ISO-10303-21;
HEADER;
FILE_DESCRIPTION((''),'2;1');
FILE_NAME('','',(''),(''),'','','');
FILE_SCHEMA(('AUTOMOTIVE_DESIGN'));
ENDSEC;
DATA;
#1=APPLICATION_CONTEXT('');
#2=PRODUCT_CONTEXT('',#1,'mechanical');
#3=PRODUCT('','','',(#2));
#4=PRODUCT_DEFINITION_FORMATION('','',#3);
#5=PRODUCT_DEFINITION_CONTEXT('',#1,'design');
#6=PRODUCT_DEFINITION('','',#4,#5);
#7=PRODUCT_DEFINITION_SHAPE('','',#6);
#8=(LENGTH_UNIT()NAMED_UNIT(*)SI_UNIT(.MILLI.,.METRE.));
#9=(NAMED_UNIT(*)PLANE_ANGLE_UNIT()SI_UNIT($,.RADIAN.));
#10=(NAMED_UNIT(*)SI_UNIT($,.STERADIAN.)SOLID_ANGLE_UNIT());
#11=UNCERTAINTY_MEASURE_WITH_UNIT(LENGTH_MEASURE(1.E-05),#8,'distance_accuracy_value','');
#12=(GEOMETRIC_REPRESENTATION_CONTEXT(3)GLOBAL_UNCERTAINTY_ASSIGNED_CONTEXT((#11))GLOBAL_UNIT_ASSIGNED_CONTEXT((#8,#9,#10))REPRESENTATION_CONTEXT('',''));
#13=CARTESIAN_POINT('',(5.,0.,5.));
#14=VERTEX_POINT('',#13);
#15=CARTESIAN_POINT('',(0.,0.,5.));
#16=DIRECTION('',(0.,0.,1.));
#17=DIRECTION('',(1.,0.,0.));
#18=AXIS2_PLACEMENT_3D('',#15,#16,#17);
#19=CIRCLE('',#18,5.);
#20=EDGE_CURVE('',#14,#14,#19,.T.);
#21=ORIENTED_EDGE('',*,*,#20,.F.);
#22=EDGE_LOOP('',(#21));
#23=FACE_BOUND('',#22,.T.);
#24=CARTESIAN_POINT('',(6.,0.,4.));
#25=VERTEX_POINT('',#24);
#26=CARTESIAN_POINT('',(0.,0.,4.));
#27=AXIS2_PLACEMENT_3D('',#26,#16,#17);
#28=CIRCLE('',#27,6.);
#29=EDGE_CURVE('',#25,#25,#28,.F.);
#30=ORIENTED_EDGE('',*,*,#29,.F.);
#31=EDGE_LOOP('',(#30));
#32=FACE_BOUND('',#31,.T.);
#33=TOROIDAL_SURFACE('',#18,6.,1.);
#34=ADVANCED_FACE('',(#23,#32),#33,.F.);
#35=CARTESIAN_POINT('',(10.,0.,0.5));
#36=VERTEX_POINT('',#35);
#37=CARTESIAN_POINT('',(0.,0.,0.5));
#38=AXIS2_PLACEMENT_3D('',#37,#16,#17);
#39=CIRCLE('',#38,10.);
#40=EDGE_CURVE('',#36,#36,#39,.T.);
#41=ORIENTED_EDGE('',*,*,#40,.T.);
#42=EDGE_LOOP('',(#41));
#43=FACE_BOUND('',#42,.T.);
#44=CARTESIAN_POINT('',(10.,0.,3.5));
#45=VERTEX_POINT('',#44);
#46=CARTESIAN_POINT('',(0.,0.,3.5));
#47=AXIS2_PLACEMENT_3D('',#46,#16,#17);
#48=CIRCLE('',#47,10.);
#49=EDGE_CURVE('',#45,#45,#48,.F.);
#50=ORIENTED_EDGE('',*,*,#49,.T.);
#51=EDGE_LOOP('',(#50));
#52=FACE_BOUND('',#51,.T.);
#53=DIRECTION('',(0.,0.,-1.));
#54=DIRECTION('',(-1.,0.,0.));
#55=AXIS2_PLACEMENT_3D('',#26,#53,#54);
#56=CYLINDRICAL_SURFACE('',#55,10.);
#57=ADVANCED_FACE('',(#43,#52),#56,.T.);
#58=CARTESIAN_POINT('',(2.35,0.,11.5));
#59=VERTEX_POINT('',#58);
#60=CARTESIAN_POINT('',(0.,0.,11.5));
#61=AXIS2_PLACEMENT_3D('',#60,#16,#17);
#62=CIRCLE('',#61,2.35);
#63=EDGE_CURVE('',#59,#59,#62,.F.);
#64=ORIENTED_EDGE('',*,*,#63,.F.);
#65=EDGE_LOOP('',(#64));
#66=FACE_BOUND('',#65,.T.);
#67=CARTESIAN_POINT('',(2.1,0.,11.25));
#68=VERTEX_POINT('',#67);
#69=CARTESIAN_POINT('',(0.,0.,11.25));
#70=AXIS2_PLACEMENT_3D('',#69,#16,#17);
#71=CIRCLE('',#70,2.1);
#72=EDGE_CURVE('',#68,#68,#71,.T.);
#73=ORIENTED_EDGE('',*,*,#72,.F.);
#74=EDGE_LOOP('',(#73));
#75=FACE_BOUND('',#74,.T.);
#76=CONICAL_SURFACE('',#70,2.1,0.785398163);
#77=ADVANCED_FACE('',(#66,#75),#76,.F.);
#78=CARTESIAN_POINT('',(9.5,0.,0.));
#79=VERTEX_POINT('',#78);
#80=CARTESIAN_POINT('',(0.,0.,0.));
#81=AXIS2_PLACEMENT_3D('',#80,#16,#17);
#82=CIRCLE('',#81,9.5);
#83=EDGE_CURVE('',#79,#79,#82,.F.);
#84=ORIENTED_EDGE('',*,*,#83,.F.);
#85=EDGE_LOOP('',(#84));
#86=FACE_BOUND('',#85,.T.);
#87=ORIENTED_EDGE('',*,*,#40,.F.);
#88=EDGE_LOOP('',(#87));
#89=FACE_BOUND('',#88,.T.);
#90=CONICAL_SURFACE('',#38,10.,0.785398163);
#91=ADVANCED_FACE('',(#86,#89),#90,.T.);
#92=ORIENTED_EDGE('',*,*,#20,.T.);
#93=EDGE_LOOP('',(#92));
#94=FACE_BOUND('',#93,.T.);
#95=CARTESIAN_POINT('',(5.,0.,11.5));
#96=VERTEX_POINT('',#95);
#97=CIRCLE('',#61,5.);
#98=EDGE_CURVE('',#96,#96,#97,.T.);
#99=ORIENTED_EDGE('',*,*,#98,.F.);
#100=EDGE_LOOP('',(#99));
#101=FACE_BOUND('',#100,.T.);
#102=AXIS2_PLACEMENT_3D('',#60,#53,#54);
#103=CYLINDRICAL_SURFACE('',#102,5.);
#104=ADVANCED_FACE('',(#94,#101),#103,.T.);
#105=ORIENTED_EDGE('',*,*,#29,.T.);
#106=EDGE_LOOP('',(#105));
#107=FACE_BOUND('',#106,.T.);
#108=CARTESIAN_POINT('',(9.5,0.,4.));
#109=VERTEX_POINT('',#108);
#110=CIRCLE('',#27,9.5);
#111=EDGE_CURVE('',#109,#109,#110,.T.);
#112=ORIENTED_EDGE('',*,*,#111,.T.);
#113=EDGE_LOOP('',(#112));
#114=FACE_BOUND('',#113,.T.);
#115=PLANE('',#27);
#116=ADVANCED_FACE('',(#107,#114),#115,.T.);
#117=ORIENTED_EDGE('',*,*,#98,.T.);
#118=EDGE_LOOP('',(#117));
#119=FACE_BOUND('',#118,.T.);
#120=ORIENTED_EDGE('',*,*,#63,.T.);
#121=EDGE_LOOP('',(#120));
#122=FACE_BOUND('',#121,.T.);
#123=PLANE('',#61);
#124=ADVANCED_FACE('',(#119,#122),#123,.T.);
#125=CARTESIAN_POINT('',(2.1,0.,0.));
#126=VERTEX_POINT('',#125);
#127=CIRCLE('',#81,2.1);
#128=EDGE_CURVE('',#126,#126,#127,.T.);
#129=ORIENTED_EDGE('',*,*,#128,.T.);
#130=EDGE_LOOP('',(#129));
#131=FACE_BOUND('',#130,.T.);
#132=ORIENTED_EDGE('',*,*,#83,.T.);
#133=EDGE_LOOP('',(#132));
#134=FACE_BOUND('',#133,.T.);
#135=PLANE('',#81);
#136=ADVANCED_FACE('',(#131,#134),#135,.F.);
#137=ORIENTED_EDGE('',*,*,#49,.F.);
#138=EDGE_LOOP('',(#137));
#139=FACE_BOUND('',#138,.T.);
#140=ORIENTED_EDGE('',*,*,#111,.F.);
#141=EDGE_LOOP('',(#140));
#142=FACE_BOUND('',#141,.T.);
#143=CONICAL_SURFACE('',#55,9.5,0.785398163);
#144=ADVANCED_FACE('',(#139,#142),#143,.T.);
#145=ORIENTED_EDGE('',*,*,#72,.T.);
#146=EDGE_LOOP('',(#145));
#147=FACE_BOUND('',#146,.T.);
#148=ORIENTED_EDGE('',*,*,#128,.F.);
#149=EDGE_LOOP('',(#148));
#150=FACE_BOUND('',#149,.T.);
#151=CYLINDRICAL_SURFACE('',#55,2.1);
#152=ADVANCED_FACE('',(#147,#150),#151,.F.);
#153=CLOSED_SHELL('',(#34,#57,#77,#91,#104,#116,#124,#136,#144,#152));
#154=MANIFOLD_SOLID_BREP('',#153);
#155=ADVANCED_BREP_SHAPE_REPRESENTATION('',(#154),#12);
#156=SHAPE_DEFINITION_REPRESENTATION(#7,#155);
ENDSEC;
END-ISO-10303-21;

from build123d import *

# Parameters (mm, degrees)
CROQUIS1_R              = 10
CROQUIS1_R_2            = 2.1
SALIENTE_EXTRUIR1_DEPTH = 4
CROQUIS2_R              = 5
CROQUIS2_R_2            = 2.1
SALIENTE_EXTRUIR2_DEPTH = 7.5
CHAFL_N1_SIZE           = 0.5
REDONDEO1_R             = 1
CHAFL_N2_SIZE           = 0.25


with BuildPart() as part:
    # Croquis1 → Saliente-Extruir1 (new body)
    with BuildSketch(Plane.XY):
        Circle(CROQUIS1_R)
        Circle(CROQUIS1_R_2, mode=Mode.SUBTRACT)
    extrude(amount=SALIENTE_EXTRUIR1_DEPTH)

    # Croquis2 → Saliente-Extruir2 (add)
    with BuildSketch(Plane.XY.offset(4)):
        Circle(CROQUIS2_R)
        Circle(CROQUIS2_R_2, mode=Mode.SUBTRACT)
    extrude(amount=SALIENTE_EXTRUIR2_DEPTH)

    # Chaflán1
    chafl_n1_edges = [part.edges().sort_by_distance(p)[0] for p in [
        (-10, 0, 0),
        (-10, 0, 4),
    ]]
    chamfer(chafl_n1_edges, length=CHAFL_N1_SIZE)

    # Redondeo1
    redondeo1_edges = [part.edges().sort_by_distance(p)[0] for p in [
        (-5, 0, 4),
    ]]
    fillet(redondeo1_edges, radius=REDONDEO1_R)

    # Chaflán2
    chafl_n2_edges = [part.edges().sort_by_distance(p)[0] for p in [
        (-2.1, 0, 11.5),
    ]]
    chamfer(chafl_n2_edges, length=CHAFL_N2_SIZE)


solid = part.part
